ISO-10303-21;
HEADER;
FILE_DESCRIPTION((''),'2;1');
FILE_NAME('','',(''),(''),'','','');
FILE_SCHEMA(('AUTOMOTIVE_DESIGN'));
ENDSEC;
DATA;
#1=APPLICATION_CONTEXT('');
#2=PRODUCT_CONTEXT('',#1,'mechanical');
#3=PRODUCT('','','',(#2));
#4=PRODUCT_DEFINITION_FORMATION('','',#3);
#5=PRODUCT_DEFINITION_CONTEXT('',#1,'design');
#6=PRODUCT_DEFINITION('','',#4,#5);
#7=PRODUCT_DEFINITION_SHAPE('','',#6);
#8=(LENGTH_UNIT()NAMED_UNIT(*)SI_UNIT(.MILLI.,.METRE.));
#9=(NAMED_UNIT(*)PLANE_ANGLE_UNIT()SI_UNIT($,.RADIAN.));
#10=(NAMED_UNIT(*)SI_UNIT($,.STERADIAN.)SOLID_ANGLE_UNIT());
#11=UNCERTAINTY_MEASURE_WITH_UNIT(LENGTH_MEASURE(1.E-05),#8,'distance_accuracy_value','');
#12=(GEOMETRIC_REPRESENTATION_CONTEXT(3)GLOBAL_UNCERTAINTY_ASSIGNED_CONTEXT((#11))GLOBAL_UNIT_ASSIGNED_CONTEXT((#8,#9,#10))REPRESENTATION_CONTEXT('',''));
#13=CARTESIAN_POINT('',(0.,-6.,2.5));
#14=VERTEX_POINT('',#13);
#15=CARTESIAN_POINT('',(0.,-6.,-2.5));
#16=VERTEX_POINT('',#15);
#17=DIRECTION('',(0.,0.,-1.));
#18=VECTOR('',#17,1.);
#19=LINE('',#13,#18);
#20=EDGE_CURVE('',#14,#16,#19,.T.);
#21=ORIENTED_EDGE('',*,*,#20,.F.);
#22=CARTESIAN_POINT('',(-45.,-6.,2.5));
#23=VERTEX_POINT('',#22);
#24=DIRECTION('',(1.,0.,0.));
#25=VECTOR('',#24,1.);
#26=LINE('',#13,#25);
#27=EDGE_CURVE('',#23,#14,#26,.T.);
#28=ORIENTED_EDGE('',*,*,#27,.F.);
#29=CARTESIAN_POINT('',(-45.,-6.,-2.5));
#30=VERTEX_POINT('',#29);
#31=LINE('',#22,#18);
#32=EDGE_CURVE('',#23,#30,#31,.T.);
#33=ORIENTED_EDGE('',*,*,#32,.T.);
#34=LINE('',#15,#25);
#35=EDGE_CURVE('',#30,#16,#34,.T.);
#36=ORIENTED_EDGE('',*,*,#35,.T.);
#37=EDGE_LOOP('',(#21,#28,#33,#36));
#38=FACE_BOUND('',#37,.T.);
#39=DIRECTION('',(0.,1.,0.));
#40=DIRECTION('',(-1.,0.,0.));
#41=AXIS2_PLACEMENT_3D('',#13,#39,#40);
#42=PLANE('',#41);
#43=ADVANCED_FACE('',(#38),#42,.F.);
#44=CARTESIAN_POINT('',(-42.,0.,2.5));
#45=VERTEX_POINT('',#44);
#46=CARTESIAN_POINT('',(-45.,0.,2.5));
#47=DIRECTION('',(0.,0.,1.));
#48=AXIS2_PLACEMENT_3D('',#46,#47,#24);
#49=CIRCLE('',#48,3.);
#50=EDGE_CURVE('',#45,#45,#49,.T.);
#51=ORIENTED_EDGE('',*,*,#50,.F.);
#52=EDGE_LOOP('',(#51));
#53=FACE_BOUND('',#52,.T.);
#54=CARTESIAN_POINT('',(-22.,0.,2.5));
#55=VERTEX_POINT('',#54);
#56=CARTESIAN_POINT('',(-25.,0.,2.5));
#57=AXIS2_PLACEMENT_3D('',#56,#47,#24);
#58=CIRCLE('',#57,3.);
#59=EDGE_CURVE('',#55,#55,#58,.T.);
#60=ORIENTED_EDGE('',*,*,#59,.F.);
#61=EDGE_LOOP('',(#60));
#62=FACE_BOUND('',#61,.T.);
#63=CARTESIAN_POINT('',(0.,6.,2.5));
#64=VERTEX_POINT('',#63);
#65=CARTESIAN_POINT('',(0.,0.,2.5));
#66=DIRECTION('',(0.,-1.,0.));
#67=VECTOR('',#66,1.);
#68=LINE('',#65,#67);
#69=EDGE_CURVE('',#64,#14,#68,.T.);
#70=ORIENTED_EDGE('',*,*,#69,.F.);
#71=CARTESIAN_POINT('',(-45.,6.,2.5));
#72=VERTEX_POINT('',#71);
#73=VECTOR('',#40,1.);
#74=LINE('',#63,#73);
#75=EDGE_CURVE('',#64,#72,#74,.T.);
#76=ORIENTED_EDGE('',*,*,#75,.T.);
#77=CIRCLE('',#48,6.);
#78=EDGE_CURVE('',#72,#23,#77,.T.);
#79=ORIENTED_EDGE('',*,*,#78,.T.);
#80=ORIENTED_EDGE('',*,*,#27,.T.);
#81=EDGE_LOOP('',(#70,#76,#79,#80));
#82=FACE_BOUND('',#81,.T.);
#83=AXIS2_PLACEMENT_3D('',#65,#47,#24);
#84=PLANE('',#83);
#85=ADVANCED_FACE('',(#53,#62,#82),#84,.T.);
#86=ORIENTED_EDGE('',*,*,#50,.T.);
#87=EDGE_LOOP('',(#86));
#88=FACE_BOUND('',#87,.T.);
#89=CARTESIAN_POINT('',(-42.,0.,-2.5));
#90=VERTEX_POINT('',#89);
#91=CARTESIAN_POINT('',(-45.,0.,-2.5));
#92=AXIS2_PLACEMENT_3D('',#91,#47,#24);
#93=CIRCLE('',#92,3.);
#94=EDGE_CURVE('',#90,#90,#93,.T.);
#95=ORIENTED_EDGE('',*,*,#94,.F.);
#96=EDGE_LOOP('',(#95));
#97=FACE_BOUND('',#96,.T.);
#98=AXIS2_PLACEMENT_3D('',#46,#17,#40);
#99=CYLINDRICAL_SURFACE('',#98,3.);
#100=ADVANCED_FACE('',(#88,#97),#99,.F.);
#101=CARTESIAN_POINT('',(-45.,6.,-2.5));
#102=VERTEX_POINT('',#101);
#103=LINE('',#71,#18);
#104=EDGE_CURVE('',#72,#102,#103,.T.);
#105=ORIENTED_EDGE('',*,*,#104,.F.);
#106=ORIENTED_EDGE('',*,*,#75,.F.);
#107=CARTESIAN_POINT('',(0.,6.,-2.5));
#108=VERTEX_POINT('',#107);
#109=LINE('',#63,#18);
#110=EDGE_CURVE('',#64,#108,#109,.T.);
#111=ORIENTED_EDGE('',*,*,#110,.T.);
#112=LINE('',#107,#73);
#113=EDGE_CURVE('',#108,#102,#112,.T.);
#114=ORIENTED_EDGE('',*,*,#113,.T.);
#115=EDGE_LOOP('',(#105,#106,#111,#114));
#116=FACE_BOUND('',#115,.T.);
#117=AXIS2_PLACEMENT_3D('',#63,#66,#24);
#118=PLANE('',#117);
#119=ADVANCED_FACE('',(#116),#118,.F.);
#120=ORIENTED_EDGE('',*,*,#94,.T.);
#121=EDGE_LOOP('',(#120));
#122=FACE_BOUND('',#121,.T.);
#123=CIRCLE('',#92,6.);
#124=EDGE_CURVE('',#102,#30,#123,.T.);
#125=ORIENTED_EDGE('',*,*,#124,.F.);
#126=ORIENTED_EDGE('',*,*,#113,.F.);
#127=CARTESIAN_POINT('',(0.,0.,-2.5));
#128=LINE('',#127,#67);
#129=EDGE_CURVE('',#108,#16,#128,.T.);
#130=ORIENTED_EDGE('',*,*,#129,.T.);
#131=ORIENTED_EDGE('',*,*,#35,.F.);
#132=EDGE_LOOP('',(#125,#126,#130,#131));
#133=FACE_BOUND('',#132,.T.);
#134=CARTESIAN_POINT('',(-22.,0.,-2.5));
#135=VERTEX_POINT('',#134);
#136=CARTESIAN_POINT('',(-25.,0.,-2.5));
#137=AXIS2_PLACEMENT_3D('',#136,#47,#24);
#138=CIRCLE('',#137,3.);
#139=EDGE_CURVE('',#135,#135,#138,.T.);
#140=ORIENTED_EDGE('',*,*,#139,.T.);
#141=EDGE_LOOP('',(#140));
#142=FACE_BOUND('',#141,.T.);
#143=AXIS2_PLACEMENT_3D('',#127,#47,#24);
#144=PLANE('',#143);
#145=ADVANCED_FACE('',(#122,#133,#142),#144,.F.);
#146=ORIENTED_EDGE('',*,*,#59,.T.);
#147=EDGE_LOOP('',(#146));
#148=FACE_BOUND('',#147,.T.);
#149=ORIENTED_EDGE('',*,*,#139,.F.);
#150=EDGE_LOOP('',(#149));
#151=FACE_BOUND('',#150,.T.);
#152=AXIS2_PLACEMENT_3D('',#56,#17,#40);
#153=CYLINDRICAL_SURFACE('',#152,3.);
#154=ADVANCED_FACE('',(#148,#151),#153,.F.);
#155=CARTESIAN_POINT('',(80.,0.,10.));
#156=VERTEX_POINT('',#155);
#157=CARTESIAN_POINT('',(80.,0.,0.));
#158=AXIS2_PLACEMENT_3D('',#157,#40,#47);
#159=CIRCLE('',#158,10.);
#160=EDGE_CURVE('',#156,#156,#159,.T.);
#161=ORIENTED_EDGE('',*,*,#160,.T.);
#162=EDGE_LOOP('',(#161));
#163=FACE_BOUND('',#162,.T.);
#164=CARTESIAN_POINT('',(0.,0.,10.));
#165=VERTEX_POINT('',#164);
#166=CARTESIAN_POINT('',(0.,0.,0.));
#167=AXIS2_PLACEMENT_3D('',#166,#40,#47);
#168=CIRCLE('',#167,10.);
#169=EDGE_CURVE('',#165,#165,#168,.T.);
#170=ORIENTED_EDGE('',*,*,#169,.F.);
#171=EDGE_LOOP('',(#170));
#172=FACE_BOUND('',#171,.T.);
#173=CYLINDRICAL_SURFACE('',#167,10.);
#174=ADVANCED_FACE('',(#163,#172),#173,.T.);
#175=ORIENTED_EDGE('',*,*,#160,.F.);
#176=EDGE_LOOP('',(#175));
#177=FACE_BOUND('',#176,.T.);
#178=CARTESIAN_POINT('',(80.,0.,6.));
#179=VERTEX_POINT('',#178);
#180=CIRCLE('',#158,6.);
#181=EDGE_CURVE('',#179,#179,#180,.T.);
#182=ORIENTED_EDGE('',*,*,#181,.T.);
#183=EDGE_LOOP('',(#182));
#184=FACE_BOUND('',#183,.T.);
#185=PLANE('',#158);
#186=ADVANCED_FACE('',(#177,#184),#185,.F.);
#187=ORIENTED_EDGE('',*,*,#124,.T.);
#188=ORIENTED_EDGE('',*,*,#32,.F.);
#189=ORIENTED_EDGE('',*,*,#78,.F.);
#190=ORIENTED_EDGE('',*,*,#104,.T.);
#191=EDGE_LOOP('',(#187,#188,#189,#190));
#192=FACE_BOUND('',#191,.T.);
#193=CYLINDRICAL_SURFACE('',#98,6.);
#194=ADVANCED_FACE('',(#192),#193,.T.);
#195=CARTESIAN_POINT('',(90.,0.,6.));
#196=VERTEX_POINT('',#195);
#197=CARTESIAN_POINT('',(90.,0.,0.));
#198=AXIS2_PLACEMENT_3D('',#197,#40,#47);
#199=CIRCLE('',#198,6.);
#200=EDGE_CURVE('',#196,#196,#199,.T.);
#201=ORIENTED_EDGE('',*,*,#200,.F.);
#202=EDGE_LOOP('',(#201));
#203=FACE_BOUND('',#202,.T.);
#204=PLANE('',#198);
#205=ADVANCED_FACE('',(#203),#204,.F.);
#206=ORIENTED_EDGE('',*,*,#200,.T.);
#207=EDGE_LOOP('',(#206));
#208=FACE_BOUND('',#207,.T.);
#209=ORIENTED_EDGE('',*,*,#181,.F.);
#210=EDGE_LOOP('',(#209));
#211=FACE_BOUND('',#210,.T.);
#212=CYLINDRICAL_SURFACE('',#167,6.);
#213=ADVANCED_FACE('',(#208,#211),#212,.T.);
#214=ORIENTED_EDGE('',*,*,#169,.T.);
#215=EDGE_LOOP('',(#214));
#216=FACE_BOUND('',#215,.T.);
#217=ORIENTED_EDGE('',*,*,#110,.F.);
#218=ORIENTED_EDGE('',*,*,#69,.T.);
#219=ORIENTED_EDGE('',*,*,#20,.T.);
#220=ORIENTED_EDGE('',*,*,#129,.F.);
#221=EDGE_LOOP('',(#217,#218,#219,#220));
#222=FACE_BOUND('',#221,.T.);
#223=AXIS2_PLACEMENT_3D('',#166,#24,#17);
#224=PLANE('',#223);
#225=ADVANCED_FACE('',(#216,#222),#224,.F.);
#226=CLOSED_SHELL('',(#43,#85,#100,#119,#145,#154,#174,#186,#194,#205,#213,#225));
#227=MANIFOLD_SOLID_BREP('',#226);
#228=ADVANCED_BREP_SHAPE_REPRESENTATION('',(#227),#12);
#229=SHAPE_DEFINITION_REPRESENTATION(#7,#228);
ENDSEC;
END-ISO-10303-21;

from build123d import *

# Parameters (mm, degrees)
SKETCH2_R           = 3
BOSS_EXTRUDE1_DEPTH = 2.5


with BuildPart() as part:
    # Sketch1 → Revolve1 (revolve)
    with BuildSketch(Plane(origin=(0, 0, 0), x_dir=(1, 0, 0), z_dir=(0, 1, 0)), mode=Mode.PRIVATE) as revolve1_sk:
        Polygon((80, 10), (0, 10), (0, 0), (90, 0), (90, 6), (80, 6), align=None)
    revolve(revolve1_sk.sketch.rotate(Axis((0, 0, 0), (1, 0, 0)), 180), axis=Axis((0, 0, 0), (1, 0, 0)))

    # Sketch2 → Boss-Extrude1 (add, symmetric)
    with BuildSketch(Plane.XY):
        with BuildLine():
            Line((0, -6), (0, 6))
            Line((0, 6), (-45, 6))
            ThreePointArc((-45, 6), (-51, 0), (-45, -6))
            Line((-45, -6), (0, -6))
        make_face()
        with Locations((-25, 0)):
            Circle(SKETCH2_R, mode=Mode.SUBTRACT)
        with Locations((-45, 0)):
            Circle(SKETCH2_R, mode=Mode.SUBTRACT)
    extrude(amount=BOSS_EXTRUDE1_DEPTH, both=True)


solid = part.part
